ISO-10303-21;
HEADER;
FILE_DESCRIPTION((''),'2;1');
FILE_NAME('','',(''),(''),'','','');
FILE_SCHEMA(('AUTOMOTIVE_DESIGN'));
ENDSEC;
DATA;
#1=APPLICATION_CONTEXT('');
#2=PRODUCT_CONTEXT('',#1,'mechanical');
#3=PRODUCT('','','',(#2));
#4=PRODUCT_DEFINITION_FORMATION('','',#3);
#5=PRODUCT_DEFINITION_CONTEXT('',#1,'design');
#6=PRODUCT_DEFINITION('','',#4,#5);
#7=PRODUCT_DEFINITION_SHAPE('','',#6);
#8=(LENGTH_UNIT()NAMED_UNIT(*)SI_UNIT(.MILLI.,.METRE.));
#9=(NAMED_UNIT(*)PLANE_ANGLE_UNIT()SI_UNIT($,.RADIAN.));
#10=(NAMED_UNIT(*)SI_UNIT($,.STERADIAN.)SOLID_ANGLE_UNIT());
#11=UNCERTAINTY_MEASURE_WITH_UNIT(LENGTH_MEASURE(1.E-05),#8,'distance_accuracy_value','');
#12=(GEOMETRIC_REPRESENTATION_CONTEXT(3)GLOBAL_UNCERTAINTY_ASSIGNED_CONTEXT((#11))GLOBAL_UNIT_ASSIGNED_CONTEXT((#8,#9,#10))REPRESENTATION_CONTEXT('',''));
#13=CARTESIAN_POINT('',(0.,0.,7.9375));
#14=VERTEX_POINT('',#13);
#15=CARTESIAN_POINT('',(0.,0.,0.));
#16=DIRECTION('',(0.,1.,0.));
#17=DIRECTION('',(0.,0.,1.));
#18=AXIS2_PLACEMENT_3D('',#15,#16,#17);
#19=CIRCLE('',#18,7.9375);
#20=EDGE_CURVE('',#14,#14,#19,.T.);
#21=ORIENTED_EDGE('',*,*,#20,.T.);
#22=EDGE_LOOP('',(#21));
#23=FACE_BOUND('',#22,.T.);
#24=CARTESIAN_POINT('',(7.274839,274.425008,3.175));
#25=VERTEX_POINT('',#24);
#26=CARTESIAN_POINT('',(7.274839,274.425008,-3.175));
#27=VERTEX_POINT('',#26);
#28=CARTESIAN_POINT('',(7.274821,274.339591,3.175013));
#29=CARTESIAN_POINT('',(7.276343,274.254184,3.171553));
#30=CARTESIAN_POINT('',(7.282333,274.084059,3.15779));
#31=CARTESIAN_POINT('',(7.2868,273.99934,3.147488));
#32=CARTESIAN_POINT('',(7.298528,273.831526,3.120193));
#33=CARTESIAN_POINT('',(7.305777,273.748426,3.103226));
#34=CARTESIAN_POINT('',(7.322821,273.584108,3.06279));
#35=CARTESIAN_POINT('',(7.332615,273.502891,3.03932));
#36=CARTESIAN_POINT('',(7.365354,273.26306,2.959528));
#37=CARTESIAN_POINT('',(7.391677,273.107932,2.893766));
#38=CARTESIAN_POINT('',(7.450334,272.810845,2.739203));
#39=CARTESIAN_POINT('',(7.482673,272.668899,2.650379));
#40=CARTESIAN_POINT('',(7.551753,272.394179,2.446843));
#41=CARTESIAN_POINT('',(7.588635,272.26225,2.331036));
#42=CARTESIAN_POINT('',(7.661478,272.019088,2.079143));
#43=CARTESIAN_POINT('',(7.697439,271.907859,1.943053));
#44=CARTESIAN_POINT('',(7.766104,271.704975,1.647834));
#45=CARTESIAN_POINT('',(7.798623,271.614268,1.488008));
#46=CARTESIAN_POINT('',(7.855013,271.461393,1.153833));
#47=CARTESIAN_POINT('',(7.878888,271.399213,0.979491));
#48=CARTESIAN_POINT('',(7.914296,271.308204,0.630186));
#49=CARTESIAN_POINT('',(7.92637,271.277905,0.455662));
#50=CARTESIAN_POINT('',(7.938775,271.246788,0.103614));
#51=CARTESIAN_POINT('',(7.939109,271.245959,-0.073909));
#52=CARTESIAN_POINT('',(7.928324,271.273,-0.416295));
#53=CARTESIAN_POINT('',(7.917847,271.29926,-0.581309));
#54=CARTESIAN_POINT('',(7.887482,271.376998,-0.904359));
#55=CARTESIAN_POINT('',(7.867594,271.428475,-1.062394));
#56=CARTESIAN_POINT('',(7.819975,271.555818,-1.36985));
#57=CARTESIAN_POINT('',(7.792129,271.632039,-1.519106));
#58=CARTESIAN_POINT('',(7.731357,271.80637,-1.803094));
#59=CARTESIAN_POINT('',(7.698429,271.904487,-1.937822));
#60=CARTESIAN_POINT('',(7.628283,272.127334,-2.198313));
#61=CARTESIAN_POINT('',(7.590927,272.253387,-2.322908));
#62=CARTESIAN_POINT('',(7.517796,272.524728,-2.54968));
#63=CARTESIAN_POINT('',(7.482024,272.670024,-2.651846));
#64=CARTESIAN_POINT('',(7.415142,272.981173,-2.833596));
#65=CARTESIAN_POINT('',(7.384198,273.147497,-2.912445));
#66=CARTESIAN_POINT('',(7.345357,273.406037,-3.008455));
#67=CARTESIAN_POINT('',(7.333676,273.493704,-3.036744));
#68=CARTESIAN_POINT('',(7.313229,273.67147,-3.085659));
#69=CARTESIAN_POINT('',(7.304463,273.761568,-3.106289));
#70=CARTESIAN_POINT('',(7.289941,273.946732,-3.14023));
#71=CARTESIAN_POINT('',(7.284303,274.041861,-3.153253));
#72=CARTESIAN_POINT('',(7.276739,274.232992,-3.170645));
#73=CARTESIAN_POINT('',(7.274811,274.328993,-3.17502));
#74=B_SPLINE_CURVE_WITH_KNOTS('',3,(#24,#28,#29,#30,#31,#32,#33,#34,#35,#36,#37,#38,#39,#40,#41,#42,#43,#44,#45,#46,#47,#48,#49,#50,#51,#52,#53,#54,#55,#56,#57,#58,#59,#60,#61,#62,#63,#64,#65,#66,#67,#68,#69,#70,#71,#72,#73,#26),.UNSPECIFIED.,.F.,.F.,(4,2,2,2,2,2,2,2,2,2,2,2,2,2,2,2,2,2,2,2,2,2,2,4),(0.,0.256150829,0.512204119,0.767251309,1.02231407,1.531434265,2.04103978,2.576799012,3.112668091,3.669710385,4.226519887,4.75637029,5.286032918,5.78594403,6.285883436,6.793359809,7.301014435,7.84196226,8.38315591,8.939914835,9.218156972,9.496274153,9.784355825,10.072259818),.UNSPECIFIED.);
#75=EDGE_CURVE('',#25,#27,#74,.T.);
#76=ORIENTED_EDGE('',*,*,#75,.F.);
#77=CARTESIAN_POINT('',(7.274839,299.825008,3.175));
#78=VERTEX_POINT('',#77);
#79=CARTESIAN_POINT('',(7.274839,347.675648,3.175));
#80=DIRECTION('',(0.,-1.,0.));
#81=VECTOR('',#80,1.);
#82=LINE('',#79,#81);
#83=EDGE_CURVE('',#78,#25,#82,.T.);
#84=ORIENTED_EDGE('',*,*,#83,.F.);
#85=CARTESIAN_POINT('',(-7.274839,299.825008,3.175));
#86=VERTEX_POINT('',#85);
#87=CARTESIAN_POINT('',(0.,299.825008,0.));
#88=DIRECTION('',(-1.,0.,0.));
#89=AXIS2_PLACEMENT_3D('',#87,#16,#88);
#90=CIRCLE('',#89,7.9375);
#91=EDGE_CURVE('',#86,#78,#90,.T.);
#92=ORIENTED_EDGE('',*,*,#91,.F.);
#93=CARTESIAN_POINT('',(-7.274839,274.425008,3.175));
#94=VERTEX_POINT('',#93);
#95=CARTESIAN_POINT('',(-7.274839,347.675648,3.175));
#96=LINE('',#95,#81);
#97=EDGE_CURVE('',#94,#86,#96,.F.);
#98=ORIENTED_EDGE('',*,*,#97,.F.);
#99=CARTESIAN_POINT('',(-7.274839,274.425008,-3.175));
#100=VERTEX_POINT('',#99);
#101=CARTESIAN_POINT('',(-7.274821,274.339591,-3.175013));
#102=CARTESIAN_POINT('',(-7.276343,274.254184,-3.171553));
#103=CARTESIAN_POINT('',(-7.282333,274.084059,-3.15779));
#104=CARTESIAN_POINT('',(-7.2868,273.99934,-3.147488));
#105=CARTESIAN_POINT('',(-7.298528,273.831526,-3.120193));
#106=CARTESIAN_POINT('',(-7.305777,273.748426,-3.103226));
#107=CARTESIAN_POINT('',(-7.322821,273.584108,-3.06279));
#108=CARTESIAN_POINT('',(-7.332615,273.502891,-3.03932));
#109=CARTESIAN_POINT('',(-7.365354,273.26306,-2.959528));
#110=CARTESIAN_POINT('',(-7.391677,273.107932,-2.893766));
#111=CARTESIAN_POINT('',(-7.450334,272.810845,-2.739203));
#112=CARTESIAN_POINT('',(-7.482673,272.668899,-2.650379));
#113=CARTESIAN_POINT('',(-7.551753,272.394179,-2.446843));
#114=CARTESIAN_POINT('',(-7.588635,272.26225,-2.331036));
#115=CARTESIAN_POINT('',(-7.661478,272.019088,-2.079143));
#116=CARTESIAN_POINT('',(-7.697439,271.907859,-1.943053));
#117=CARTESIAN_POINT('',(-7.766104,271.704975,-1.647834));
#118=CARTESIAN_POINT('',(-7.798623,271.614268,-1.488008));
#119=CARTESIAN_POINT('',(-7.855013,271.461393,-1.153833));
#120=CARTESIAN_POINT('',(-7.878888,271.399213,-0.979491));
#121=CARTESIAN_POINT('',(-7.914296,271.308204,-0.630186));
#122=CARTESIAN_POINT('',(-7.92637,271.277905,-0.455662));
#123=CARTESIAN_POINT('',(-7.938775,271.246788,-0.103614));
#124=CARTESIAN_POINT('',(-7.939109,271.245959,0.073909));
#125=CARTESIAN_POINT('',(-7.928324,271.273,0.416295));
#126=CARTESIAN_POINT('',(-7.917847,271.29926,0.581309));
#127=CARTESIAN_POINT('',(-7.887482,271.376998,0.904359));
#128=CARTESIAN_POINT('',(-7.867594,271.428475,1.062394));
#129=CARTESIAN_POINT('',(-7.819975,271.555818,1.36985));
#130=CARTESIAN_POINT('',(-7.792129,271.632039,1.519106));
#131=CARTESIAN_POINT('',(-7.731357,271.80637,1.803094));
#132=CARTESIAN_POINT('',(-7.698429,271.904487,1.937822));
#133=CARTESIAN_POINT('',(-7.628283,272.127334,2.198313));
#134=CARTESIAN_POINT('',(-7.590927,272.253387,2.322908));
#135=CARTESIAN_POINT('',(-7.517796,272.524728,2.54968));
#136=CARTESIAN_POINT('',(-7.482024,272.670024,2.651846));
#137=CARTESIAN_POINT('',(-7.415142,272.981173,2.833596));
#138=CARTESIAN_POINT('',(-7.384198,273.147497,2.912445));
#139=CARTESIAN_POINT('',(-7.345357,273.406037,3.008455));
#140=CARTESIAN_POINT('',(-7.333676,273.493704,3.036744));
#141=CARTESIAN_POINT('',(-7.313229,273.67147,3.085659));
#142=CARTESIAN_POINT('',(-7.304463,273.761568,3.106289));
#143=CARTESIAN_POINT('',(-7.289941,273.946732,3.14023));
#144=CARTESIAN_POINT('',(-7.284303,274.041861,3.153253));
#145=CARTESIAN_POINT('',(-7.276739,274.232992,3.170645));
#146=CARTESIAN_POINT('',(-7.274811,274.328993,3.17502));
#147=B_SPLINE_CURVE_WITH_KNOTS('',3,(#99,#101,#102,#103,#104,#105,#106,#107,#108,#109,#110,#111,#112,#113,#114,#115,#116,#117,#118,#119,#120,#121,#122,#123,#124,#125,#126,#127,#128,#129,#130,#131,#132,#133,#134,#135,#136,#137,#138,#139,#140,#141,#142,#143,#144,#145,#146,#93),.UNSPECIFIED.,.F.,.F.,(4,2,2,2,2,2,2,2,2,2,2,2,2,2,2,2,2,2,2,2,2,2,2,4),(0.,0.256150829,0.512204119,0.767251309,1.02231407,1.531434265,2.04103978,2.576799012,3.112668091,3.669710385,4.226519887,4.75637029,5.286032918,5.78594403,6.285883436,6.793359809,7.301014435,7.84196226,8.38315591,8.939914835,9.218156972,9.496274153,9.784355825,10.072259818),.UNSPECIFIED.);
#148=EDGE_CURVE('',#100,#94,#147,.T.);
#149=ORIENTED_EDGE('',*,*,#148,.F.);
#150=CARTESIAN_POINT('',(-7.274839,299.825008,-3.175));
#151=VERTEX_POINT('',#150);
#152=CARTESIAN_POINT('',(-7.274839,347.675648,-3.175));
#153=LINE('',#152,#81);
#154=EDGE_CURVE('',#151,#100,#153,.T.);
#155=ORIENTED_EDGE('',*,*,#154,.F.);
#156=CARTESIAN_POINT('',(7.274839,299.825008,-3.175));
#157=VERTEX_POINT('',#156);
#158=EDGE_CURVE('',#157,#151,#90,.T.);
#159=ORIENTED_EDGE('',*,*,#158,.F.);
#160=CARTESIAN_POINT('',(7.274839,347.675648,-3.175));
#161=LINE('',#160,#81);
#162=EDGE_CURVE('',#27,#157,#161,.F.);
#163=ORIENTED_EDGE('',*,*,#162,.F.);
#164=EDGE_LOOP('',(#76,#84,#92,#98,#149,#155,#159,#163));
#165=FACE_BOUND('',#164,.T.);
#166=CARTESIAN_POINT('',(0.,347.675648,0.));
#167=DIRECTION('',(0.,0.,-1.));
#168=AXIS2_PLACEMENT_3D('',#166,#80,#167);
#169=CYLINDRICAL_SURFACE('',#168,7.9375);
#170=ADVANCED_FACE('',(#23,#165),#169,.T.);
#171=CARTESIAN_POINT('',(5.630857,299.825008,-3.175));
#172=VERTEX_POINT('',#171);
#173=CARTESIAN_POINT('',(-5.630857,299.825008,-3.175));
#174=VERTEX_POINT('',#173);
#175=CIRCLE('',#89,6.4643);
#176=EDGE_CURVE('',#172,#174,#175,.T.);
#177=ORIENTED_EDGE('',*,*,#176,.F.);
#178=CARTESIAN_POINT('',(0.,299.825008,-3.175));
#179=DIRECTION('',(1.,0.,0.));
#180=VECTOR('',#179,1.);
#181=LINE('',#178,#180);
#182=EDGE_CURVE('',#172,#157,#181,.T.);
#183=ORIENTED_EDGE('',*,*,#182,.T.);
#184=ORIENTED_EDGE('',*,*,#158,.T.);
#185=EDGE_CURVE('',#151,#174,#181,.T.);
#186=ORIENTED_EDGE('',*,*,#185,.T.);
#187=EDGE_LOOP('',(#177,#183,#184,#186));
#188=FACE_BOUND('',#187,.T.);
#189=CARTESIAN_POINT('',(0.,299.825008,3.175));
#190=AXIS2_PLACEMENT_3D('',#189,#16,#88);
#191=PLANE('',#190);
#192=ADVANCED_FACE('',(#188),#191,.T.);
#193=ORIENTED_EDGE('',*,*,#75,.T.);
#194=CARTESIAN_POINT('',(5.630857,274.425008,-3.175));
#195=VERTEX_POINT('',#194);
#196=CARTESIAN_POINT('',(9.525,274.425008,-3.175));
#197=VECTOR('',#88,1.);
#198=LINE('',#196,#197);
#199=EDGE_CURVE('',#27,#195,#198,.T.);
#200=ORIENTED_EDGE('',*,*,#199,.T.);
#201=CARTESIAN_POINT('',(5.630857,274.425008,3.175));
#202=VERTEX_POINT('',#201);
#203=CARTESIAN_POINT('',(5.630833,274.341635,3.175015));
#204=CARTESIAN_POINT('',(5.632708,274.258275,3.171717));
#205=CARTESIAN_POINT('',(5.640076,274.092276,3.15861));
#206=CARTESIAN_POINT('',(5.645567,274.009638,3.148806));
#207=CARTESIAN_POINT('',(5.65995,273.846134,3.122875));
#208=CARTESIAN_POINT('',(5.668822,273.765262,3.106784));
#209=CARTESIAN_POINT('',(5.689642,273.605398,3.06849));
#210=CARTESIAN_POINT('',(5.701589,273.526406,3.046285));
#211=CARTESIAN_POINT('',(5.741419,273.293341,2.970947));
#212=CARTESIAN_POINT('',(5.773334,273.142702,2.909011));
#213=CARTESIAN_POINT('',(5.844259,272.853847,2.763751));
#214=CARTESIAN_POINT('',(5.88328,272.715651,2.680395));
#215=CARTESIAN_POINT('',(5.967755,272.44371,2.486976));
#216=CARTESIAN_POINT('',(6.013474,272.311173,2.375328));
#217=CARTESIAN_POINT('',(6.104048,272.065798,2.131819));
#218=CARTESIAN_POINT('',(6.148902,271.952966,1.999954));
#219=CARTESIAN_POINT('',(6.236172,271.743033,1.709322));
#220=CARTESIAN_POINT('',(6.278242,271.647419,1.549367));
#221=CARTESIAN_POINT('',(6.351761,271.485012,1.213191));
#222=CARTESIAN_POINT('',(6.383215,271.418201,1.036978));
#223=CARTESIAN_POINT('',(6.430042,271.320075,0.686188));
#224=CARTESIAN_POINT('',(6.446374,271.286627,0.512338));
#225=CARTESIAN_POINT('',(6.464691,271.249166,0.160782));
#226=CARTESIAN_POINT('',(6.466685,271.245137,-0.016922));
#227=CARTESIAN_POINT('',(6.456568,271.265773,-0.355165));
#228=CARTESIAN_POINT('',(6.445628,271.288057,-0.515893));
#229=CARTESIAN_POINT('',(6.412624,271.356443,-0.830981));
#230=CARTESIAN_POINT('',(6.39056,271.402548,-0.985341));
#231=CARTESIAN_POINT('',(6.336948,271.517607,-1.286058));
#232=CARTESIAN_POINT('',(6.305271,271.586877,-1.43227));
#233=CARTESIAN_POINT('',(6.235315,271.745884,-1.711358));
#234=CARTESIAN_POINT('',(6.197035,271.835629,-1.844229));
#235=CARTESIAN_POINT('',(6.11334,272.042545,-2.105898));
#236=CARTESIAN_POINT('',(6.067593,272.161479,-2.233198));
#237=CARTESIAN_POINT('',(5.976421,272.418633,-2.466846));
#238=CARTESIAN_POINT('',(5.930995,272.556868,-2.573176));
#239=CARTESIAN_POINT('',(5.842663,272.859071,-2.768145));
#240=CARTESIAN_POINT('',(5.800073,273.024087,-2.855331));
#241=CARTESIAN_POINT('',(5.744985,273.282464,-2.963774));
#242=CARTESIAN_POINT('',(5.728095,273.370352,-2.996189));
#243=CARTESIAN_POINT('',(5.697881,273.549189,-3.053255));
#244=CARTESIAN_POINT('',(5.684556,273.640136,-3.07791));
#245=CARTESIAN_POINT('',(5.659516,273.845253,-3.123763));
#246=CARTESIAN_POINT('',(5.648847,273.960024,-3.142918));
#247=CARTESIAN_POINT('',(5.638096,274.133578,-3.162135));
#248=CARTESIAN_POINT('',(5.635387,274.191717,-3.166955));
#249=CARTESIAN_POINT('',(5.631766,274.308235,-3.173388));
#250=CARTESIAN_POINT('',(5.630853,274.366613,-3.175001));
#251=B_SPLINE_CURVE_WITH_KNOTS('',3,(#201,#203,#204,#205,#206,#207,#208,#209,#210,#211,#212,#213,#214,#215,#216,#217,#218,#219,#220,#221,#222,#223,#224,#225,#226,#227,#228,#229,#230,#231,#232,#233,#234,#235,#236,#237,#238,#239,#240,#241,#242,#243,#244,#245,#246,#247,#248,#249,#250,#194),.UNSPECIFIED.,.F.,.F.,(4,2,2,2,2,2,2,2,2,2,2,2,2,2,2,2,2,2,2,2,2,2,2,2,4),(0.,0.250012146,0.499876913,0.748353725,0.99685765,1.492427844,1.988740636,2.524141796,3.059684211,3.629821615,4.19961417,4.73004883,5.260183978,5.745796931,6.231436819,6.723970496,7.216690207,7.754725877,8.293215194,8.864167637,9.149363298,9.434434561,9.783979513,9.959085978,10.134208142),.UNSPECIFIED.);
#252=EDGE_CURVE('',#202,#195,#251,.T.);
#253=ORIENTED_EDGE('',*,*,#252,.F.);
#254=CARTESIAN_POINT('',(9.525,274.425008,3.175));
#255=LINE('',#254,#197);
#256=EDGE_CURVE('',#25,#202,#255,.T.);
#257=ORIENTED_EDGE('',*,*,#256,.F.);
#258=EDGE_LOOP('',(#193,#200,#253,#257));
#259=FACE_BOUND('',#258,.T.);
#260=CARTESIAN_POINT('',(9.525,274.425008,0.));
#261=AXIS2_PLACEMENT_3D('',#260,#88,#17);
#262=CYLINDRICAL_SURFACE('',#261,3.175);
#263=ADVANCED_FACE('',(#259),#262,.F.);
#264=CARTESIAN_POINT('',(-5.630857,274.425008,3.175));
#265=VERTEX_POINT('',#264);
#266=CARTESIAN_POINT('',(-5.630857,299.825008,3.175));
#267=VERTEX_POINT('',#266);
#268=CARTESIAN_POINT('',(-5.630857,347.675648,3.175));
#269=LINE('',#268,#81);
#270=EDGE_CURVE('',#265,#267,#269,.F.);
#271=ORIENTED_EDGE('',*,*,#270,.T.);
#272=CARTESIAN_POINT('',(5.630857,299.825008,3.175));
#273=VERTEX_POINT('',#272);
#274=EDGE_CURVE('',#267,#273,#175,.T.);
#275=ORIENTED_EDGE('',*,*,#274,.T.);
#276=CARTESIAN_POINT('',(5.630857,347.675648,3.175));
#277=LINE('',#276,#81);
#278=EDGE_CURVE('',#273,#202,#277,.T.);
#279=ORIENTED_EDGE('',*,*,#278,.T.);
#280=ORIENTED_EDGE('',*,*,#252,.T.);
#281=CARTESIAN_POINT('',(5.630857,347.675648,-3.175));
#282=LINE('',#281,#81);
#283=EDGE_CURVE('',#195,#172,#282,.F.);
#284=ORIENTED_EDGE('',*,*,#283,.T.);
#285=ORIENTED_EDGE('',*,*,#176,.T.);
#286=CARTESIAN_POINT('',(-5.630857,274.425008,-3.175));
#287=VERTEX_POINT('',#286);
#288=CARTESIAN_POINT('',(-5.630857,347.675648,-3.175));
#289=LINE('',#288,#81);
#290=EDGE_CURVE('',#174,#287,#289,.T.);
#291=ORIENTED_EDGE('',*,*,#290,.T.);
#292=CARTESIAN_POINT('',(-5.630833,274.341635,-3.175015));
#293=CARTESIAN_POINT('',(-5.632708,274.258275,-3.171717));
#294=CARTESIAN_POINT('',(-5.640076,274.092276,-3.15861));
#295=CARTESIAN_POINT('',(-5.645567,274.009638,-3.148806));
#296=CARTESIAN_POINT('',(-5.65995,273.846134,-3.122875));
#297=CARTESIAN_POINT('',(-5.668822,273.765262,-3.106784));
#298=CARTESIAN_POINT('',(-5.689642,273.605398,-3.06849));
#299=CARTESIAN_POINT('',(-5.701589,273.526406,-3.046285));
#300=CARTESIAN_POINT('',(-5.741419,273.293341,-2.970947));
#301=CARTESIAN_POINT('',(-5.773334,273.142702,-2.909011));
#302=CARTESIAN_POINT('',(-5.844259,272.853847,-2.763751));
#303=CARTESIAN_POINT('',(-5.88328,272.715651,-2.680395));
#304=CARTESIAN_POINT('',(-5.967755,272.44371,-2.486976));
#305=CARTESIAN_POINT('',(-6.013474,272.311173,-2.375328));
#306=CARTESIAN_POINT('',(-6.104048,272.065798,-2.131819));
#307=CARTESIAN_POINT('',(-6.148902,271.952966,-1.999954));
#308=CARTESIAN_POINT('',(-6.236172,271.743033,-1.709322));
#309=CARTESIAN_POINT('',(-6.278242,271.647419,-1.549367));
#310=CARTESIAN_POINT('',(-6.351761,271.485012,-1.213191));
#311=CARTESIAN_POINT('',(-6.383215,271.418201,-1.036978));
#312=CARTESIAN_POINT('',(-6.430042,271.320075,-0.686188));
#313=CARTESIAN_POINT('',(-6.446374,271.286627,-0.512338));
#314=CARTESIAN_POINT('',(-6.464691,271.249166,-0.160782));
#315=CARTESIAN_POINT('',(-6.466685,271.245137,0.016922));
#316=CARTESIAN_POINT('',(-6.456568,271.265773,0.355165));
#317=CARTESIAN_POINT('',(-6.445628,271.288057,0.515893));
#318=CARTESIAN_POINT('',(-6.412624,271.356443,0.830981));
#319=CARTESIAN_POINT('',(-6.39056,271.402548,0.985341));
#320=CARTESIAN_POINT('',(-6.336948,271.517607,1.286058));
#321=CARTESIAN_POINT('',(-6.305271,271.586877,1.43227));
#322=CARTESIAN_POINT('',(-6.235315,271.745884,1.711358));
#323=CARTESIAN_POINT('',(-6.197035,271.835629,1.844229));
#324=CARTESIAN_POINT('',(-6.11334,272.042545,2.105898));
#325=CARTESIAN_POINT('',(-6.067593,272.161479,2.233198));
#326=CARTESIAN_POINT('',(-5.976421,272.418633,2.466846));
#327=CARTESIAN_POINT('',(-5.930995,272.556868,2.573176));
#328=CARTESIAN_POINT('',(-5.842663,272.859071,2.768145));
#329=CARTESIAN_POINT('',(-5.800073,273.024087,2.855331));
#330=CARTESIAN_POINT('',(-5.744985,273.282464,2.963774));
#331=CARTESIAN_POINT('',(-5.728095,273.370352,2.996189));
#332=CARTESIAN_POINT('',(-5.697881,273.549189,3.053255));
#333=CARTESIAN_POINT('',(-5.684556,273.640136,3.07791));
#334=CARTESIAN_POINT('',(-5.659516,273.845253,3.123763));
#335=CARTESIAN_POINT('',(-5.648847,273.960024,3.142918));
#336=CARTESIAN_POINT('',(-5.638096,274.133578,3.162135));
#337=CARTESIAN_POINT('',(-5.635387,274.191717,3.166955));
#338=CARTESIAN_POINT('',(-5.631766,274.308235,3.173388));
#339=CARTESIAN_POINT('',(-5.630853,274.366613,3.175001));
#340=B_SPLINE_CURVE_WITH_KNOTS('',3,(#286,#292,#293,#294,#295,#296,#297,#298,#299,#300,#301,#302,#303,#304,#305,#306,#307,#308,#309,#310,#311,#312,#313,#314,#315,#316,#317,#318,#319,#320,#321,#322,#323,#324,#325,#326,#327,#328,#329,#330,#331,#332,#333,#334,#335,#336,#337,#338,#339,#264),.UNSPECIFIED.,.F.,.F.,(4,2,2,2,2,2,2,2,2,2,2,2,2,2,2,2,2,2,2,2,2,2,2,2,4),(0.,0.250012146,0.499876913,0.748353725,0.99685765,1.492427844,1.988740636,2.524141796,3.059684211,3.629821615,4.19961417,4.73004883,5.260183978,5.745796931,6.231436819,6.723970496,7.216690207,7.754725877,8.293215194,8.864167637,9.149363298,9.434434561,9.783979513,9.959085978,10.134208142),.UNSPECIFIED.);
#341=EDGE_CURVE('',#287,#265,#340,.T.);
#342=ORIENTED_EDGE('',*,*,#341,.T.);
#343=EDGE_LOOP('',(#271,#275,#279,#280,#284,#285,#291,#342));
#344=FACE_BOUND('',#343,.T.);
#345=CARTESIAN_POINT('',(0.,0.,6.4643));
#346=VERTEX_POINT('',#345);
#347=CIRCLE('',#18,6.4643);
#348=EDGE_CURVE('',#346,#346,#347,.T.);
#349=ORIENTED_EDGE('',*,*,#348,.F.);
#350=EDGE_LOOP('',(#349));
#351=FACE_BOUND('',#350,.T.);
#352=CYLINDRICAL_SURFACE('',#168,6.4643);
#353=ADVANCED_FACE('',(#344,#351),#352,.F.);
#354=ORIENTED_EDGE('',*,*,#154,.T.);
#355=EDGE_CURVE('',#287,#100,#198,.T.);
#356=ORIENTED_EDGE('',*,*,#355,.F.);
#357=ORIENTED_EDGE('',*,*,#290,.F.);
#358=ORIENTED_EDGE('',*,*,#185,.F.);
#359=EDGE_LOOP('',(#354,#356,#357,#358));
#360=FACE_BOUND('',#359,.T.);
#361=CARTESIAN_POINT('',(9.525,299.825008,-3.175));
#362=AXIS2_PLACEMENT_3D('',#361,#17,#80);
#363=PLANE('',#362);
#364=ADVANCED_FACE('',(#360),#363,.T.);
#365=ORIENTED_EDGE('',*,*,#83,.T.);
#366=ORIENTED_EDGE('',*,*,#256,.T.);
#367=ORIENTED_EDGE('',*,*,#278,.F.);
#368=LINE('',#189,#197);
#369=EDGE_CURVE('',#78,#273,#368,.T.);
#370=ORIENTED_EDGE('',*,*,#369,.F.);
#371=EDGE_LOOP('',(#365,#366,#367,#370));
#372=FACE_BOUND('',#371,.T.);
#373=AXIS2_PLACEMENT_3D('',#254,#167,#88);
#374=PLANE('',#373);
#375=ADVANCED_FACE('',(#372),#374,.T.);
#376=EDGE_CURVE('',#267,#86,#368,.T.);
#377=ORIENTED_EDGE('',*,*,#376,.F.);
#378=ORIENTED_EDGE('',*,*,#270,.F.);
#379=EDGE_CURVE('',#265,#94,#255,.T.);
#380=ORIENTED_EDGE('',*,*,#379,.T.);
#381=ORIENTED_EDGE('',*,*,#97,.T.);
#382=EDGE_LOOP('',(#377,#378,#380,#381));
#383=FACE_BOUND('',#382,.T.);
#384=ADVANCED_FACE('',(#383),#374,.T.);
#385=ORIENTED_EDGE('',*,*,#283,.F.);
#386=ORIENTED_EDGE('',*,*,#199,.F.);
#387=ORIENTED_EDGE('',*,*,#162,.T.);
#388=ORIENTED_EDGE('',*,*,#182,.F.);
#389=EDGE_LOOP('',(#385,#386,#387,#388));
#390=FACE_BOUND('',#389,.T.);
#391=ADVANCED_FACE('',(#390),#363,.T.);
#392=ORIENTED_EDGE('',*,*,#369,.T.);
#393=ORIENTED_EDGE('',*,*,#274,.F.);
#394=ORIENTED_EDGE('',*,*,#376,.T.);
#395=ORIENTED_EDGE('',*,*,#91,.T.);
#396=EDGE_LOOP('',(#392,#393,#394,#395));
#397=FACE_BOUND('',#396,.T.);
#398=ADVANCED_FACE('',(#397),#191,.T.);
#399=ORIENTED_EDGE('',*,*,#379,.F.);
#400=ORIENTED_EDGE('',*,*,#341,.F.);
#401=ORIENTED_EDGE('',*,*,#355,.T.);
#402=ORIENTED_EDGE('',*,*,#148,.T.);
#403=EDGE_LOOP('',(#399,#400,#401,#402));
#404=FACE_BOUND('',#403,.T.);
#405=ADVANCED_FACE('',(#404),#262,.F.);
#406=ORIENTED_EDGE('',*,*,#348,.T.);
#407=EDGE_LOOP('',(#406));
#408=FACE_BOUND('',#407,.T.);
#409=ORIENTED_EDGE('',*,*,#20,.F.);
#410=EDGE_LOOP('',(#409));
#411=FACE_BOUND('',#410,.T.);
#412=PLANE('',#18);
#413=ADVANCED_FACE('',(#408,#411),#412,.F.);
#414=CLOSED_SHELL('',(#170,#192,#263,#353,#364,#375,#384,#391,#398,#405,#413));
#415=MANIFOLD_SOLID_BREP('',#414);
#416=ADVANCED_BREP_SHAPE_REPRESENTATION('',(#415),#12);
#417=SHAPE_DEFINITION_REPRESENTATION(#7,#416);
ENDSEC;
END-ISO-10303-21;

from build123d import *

# Parameters (mm, degrees)
SKETCH1_R               = 7.9375
SKETCH1_R_2             = 6.4643
BOSS_EXTRUDE1_DEPTH     = 299.825008041
CUT_EXTRUDE1_DEPTH      = 9.525
CUT_EXTRUDE1_DEPTH_BACK = 9.525


with BuildPart() as part:
    # Sketch1 → Boss-Extrude1 (new body)
    with BuildSketch(Plane(origin=(0, 0, 0), x_dir=(1, 0, 0), z_dir=(0, 1, 0))):
        with Locations(Location((0, 0, 0), (0, 0, 156.421821522))):
            Circle(SKETCH1_R)
        with Locations(Location((0, 0, 0), (0, 0, 150.583203301))):
            Circle(SKETCH1_R_2, mode=Mode.SUBTRACT)
    extrude(amount=BOSS_EXTRUDE1_DEPTH)

    # Sketch2 → Cut-Extrude1 (cut, two sides: drawn at the far end of the back side and taken through both)
    with BuildSketch(Plane(origin=(0, 0, 0), x_dir=(0, 0, -1), z_dir=(1, 0, 0)).offset(-CUT_EXTRUDE1_DEPTH_BACK)):
        with BuildLine():
            Line((3.175, 299.825008041), (3.175, 274.425008041))
            ThreePointArc((3.175, 274.425008041), (0, 271.250008041), (-3.175, 274.425008041))
            Line((-3.175, 274.425008041), (-3.175, 299.825008041))
            Line((-3.175, 299.825008041), (3.175, 299.825008041))
        make_face()
    extrude(amount=CUT_EXTRUDE1_DEPTH + CUT_EXTRUDE1_DEPTH_BACK, mode=Mode.SUBTRACT)


solid = part.part
